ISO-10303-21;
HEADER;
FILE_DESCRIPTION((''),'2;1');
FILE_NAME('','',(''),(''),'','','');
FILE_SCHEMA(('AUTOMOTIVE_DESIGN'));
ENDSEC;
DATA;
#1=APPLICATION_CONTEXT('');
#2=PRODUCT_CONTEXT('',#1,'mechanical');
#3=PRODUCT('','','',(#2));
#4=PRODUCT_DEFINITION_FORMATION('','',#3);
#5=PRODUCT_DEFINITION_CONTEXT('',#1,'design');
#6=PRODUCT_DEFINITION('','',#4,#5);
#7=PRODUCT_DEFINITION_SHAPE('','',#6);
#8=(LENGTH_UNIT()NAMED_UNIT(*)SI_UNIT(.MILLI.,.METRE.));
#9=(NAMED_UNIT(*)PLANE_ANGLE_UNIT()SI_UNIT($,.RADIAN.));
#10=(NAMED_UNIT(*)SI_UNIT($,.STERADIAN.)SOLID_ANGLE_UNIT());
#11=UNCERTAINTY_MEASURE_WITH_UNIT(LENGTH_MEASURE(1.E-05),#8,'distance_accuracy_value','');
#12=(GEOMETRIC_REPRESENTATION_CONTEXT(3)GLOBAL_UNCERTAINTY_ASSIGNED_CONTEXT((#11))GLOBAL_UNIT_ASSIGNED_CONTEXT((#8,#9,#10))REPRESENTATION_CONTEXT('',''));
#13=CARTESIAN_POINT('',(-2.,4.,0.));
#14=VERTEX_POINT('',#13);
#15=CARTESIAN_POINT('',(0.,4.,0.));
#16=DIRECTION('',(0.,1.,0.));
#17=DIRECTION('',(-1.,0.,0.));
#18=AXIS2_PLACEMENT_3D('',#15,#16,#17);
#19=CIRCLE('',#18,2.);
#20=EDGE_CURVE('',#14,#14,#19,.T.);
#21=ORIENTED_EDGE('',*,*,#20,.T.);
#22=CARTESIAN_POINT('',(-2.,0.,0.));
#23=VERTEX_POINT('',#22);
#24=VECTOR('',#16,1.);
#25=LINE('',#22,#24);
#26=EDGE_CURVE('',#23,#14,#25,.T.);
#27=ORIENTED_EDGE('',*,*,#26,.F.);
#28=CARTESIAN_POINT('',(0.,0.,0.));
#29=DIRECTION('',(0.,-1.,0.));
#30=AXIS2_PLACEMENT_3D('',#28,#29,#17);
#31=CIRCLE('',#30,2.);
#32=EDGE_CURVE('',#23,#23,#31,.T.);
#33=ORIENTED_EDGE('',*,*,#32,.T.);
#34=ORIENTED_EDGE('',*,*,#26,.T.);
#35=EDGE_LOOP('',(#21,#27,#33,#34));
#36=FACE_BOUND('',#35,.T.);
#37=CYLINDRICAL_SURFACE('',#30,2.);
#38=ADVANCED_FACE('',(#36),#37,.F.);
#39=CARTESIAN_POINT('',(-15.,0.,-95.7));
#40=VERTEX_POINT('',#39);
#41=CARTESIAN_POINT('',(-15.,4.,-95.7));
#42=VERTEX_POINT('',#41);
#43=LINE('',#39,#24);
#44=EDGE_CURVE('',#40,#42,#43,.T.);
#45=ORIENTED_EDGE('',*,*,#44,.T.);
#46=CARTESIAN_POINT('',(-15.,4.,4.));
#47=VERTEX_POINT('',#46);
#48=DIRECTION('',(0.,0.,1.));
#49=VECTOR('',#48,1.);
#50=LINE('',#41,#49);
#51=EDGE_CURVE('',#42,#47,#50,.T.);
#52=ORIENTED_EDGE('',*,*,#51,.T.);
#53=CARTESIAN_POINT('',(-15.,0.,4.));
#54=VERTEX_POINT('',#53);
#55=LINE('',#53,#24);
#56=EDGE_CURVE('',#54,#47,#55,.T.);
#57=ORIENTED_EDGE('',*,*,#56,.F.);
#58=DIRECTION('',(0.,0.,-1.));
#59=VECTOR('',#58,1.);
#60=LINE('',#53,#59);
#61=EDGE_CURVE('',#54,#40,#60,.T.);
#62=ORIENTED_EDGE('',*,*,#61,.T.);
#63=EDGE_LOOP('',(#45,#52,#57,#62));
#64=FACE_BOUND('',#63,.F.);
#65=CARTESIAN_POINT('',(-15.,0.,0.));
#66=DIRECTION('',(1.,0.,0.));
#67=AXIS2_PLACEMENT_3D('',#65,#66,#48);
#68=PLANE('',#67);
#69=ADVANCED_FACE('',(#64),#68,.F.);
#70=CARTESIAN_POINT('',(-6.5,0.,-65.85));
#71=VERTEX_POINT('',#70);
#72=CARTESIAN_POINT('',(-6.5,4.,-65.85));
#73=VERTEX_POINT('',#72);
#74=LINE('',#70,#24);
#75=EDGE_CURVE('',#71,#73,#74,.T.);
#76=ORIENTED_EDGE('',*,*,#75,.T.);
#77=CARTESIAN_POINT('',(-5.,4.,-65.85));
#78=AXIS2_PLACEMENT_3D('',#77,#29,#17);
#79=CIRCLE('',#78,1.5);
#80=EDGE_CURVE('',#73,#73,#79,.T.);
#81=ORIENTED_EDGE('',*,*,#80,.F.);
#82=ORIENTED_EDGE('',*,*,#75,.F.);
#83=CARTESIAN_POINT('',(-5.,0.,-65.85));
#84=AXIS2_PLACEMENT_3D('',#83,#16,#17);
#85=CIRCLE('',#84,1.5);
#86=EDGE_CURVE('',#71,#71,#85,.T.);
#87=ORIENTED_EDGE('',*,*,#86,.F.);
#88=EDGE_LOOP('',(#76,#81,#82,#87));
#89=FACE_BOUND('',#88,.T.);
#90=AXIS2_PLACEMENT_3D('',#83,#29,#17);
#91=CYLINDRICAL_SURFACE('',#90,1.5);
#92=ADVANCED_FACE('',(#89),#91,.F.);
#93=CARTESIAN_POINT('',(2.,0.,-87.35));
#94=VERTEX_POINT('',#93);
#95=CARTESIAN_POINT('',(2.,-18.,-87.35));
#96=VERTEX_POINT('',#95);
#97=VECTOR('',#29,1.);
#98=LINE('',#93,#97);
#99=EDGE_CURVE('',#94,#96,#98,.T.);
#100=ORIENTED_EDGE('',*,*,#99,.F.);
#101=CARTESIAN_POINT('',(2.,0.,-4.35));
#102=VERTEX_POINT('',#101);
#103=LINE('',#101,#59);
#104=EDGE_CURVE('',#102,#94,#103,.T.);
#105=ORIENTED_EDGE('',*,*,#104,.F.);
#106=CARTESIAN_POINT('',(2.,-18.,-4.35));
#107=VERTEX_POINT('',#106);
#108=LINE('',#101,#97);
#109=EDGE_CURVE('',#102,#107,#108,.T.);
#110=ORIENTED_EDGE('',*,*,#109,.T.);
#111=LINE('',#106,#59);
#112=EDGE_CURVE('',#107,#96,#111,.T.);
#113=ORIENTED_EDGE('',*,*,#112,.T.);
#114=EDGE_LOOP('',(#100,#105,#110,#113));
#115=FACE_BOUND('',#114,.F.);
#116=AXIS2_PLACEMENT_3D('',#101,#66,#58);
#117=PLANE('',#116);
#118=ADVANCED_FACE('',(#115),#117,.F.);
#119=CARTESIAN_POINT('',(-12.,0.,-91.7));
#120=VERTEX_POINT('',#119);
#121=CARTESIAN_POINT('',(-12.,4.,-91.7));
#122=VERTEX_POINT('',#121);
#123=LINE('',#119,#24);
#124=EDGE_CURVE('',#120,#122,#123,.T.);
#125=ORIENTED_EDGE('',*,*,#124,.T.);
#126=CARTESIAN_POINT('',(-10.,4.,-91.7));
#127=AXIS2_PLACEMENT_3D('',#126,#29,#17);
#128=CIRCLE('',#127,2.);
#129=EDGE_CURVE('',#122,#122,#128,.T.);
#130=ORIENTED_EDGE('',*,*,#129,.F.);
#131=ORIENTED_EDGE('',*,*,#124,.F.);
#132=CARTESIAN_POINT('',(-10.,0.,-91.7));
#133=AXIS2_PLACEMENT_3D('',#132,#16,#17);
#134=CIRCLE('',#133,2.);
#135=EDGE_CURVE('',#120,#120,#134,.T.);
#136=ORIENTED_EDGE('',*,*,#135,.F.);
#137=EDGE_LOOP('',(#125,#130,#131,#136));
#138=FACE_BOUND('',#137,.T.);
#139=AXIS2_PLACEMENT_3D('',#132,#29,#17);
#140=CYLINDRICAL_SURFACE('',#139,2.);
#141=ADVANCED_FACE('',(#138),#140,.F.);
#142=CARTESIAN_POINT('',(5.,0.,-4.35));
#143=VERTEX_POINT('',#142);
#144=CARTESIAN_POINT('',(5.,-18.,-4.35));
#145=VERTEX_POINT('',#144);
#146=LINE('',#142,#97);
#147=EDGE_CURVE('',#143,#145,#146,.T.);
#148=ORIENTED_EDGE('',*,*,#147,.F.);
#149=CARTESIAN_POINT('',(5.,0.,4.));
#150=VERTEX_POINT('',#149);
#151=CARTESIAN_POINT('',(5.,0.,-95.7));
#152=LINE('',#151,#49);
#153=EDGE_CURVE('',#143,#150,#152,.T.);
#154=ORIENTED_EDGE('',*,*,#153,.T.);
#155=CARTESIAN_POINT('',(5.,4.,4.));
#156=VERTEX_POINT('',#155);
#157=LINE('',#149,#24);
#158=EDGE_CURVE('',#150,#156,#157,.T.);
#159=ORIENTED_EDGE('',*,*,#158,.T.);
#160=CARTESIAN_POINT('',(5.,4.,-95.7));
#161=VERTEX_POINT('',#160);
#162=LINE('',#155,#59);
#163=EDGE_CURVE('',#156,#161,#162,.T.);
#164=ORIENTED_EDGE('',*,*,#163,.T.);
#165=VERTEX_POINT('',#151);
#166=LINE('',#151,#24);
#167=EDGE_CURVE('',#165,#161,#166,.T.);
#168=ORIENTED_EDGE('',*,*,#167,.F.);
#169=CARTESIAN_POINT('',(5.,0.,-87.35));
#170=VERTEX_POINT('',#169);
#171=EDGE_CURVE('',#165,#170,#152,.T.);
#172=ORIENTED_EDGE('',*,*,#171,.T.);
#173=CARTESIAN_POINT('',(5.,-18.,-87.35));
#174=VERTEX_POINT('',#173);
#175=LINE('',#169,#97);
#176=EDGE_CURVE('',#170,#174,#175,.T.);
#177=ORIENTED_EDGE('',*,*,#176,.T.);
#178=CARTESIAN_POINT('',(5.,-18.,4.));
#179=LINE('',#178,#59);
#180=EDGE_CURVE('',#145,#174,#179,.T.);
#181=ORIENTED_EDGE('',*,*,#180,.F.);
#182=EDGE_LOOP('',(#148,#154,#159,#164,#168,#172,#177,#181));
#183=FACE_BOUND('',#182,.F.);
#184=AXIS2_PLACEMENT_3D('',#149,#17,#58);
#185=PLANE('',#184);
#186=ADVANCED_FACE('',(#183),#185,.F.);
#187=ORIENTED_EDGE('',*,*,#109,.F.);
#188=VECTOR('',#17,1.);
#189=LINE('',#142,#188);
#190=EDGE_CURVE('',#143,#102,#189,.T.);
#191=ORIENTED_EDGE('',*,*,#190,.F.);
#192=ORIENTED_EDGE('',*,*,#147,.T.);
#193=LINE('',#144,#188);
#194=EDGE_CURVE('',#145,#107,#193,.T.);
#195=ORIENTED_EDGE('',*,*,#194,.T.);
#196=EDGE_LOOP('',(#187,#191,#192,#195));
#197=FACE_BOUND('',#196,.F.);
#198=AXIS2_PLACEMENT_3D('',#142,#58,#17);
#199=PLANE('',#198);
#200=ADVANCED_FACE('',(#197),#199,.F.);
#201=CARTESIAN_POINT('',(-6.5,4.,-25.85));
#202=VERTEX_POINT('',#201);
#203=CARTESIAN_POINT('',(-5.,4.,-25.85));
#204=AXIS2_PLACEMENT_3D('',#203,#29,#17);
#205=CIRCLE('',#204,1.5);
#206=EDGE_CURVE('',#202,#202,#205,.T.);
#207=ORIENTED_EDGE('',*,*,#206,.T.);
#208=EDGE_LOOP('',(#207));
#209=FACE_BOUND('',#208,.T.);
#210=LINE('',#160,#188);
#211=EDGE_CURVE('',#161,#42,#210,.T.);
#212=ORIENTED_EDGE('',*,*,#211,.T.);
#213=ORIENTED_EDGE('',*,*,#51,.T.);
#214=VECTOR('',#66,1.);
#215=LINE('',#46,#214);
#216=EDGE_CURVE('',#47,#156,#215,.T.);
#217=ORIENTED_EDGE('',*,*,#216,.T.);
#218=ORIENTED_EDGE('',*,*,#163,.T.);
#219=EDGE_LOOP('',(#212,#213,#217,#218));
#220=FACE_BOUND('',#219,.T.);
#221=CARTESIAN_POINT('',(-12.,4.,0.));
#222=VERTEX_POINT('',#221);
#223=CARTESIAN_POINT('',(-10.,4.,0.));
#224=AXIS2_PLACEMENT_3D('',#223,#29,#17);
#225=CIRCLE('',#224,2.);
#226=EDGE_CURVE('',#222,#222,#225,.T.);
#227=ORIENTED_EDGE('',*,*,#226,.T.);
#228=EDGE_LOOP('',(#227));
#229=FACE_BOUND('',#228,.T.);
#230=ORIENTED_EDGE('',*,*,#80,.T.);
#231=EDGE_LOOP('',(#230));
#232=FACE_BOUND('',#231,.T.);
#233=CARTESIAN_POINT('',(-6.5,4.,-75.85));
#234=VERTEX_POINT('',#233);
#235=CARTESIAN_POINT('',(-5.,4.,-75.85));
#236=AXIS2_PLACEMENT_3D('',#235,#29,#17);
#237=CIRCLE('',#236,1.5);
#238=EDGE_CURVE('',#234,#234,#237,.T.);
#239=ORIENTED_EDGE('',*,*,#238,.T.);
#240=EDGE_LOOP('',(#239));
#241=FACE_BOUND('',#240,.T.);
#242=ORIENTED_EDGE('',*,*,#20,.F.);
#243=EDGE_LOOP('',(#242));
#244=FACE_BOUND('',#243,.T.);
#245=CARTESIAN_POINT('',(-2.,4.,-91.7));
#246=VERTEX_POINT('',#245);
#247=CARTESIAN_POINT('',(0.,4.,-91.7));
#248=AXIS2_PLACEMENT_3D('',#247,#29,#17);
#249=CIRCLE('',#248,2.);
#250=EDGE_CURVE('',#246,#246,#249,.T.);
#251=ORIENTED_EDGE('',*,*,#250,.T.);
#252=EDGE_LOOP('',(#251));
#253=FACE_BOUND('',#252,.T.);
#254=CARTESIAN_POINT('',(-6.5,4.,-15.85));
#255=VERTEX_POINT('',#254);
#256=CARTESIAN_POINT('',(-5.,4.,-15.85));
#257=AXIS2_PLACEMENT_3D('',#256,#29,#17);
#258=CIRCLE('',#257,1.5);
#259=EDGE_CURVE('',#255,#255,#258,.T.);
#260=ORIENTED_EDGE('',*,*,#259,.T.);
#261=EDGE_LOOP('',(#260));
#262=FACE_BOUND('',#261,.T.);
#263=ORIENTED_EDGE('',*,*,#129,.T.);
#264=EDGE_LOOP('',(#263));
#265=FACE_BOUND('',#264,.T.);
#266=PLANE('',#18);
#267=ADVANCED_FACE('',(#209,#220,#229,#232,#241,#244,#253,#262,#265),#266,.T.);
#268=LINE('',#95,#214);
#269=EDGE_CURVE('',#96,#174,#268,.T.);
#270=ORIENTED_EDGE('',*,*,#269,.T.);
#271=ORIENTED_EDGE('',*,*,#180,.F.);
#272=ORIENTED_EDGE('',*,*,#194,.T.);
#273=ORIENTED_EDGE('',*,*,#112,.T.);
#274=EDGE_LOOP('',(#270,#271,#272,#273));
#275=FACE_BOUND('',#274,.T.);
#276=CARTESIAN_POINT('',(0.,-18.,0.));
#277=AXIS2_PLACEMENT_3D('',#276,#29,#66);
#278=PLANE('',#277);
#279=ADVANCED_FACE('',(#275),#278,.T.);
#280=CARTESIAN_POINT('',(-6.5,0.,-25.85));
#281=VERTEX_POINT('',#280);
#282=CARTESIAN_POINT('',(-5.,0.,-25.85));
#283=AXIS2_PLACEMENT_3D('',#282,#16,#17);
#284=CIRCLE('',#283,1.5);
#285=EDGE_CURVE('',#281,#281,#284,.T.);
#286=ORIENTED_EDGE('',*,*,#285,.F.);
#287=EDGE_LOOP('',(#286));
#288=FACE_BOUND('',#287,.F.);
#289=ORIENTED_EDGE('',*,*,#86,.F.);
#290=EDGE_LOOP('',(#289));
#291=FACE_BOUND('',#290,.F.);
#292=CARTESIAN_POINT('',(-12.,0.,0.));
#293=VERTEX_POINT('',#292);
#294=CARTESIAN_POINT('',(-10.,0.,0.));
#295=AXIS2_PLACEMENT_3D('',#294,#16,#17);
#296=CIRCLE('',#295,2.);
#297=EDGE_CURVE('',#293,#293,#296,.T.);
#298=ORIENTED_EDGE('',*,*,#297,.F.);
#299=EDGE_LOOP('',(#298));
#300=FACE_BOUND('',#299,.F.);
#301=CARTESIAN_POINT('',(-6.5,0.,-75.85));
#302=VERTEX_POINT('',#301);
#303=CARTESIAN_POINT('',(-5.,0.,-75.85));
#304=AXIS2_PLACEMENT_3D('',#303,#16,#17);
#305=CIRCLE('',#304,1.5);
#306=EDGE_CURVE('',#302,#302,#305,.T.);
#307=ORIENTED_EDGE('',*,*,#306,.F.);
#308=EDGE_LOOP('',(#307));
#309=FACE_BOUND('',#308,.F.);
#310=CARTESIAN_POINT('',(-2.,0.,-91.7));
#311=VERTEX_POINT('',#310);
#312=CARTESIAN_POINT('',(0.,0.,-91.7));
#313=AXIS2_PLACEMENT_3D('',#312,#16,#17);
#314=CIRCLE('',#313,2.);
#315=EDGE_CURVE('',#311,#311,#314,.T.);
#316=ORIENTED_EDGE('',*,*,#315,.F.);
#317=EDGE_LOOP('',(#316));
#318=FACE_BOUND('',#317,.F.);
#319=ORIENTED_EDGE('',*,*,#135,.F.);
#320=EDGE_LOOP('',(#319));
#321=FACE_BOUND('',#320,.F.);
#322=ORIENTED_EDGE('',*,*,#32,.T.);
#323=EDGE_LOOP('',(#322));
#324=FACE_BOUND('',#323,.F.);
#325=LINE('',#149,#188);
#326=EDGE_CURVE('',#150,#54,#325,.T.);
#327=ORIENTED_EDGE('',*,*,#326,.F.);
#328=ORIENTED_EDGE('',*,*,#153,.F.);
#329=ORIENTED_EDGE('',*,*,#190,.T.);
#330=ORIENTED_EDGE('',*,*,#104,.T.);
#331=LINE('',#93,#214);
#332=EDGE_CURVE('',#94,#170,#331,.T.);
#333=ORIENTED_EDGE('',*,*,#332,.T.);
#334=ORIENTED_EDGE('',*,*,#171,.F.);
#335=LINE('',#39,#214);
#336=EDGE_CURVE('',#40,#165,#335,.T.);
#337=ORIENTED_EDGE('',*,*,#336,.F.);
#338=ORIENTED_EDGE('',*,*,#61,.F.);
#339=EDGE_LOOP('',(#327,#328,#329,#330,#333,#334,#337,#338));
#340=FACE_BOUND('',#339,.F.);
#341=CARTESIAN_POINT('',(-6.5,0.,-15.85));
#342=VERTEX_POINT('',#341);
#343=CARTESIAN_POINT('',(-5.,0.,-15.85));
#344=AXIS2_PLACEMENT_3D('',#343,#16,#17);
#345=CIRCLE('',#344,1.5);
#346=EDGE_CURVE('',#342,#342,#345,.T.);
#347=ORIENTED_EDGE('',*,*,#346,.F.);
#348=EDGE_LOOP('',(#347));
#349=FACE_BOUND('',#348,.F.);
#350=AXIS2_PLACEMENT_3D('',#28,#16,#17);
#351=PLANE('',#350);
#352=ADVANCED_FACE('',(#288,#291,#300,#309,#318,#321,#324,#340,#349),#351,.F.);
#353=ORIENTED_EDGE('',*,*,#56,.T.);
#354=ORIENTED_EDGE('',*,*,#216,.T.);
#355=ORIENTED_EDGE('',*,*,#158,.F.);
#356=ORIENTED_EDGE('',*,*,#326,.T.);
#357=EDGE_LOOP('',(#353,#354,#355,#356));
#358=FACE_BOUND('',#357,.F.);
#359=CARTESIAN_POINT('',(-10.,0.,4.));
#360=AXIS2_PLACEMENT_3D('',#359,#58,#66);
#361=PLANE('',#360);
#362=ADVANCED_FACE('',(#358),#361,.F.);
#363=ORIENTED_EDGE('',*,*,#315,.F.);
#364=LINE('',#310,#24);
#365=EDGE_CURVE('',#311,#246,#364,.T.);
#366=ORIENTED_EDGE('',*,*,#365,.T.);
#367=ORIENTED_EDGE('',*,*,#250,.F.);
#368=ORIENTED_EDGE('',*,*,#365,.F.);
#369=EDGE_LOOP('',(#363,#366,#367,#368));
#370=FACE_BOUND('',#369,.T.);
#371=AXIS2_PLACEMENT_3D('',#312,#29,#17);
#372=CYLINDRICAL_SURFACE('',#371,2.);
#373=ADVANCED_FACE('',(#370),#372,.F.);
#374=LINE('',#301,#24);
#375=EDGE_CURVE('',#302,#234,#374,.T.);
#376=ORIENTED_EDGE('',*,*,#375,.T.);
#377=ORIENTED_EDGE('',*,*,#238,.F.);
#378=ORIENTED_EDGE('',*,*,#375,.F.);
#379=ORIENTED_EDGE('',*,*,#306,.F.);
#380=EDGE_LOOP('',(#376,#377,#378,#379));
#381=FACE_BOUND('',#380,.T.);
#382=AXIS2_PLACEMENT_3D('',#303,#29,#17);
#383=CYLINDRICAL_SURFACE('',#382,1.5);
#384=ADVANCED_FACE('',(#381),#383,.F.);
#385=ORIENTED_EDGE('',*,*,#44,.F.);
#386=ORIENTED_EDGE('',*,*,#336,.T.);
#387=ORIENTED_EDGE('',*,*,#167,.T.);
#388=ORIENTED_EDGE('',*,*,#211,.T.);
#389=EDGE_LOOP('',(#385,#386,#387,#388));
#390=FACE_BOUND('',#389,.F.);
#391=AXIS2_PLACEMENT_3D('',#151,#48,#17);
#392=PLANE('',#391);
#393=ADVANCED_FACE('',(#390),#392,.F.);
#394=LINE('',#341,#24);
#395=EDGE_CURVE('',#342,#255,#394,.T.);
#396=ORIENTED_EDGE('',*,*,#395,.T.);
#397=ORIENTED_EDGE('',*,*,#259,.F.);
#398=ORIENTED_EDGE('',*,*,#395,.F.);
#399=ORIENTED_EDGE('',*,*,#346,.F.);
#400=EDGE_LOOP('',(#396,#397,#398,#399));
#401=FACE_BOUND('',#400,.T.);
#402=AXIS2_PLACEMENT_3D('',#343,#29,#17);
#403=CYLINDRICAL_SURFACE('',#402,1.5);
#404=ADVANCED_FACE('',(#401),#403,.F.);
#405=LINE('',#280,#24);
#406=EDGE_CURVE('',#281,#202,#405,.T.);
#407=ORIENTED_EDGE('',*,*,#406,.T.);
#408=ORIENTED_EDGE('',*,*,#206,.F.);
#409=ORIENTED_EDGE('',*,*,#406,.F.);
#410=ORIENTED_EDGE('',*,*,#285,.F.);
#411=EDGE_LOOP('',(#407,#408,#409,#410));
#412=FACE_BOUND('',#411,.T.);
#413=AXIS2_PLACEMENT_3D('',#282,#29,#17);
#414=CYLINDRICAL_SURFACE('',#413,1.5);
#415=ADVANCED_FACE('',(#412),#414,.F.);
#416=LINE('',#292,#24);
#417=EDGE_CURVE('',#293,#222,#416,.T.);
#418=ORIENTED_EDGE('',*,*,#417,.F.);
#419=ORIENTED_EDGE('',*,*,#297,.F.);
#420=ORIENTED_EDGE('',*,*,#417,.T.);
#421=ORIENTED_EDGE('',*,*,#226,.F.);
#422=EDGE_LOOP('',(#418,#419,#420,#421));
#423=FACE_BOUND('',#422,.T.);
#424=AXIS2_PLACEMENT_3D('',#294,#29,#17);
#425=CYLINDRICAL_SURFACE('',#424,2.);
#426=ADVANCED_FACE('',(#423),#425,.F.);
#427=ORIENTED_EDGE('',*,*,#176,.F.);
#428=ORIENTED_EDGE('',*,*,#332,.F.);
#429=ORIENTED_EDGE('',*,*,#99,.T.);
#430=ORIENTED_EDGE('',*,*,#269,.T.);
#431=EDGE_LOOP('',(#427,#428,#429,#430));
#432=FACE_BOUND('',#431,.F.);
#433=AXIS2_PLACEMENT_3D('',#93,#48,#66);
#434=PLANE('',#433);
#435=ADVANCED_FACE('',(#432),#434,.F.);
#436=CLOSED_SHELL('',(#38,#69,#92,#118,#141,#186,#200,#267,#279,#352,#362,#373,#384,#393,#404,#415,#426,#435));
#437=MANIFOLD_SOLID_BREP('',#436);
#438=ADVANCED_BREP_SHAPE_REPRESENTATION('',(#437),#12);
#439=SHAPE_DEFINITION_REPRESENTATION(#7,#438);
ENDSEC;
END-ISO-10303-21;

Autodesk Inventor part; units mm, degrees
ref_plane "YZ Plane" through (0, 0, 0) normal (1, 0, 0) x (0, 1, 0)
ref_plane "XZ Plane" through (0, 0, 0) normal (0, 1, 0) x (-1, 0, 0)
ref_plane "XY Plane" through (0, 0, 0) normal (0, 0, 1) x (1, 0, 0)
sketch "Sketch1" plane through (0, 0, 0) normal (0, 1, 0) x (-1, 0, 0)
  line L0 (0, 0) -> (10, 0)
  line L1 (10, 0) -> (10, -91.7)
  line L2 (10, -91.7) -> (0, -91.7)
  line L3 (0, -91.7) -> (0, 0)
  circle A0 centre (10, 0) radius 2
  circle A1 centre (0, 0) radius 2
  circle A2 centre (10, -91.7) radius 2
  circle A3 centre (0, -91.7) radius 2
  line L4 (10, 0) -> (15, 0)
  line L5 (15, 0) -> (15, 4)
  line L6 (15, 4) -> (10, 4)
  line L7 (10, 4) -> (10, 0)
  line L8 (0, -91.7) -> (-5, -91.7)
  line L9 (-5, -91.7) -> (-5, -95.7)
  line L10 (-5, -95.7) -> (0, -95.7)
  line L11 (0, -95.7) -> (0, -91.7)
  line L12 (15, 4) -> (-5, 4)
  line L13 (-5, 4) -> (-5, -95.7)
  line L14 (-5, -95.7) -> (15, -95.7)
  line L15 (15, -95.7) -> (15, 4)
  line L16 (5, 0) -> (5, -91.7)
  line L17 (5, -20.85) -> (5, -70.85)
  line L18 (5, -15.85) -> (5, -25.85)
  line L19 (5, -65.85) -> (5, -75.85)
  circle A4 centre (5, -15.85) radius 1.5
  circle A5 centre (5, -25.85) radius 1.5
  circle A6 centre (5, -65.85) radius 1.5
  circle A7 centre (5, -75.85) radius 1.5
  point P0 (5, -45.85)
  point P1 (-2, -91.7)
  point P2 (0, -93.7)
  dimension "d0" = 10
  dimension "d1" = 91.7
  dimension "d2" = 4
  dimension "d3" = 4
  dimension "d4" = 4
  dimension "d5" = 4
  dimension "d6" = 5
  dimension "d7" = 4
  dimension "d8" = 5
  dimension "d9" = 4
  dimension "d10" = 50
  dimension "d11" = 10
  dimension "d12" = 10
  dimension "d13" = 3
  dimension "d14" = 3
  dimension "d15" = 3
  dimension "d16" = 3
extrude "Extrusion1" add sketch "Sketch1" along normal blind 4 contours A1 L3 A3 L8 L13 L12 L7 A0 L0 | L0 L16 A4 A5 A6 A7 L2 A3 L3 A1 | L0 A0 L1 A2 L2 L16 A7 A6 A5 A4 | L2 A2 L1 A0 L4 L15 L14 L11 A3 | A3 L11 L10 L9 L8 | L7 L6 L5 L4 A0
sketch "Sketch2" plane through (0, 0, 0) normal (0, -1, 0) x (1, 0, 0)
  line L0 (5, 4) -> (5, -95.7) projected
  line L1 (5, -87.35) -> (5, -4.35)
  line L2 (5, -4.35) -> (2, -4.35)
  line L3 (2, -4.35) -> (2, -87.35)
  line L4 (2, -87.35) -> (5, -87.35)
  line L5 (5, -87.35) -> (5, -4.35)
  point P0 (0, 0)
  point P1 (5, -45.85)
  dimension "d19" = 83
  dimension "d20" = 3
extrude "Extrusion2" add sketch "Sketch2" along normal blind 18
properties part number "side_wall1"
